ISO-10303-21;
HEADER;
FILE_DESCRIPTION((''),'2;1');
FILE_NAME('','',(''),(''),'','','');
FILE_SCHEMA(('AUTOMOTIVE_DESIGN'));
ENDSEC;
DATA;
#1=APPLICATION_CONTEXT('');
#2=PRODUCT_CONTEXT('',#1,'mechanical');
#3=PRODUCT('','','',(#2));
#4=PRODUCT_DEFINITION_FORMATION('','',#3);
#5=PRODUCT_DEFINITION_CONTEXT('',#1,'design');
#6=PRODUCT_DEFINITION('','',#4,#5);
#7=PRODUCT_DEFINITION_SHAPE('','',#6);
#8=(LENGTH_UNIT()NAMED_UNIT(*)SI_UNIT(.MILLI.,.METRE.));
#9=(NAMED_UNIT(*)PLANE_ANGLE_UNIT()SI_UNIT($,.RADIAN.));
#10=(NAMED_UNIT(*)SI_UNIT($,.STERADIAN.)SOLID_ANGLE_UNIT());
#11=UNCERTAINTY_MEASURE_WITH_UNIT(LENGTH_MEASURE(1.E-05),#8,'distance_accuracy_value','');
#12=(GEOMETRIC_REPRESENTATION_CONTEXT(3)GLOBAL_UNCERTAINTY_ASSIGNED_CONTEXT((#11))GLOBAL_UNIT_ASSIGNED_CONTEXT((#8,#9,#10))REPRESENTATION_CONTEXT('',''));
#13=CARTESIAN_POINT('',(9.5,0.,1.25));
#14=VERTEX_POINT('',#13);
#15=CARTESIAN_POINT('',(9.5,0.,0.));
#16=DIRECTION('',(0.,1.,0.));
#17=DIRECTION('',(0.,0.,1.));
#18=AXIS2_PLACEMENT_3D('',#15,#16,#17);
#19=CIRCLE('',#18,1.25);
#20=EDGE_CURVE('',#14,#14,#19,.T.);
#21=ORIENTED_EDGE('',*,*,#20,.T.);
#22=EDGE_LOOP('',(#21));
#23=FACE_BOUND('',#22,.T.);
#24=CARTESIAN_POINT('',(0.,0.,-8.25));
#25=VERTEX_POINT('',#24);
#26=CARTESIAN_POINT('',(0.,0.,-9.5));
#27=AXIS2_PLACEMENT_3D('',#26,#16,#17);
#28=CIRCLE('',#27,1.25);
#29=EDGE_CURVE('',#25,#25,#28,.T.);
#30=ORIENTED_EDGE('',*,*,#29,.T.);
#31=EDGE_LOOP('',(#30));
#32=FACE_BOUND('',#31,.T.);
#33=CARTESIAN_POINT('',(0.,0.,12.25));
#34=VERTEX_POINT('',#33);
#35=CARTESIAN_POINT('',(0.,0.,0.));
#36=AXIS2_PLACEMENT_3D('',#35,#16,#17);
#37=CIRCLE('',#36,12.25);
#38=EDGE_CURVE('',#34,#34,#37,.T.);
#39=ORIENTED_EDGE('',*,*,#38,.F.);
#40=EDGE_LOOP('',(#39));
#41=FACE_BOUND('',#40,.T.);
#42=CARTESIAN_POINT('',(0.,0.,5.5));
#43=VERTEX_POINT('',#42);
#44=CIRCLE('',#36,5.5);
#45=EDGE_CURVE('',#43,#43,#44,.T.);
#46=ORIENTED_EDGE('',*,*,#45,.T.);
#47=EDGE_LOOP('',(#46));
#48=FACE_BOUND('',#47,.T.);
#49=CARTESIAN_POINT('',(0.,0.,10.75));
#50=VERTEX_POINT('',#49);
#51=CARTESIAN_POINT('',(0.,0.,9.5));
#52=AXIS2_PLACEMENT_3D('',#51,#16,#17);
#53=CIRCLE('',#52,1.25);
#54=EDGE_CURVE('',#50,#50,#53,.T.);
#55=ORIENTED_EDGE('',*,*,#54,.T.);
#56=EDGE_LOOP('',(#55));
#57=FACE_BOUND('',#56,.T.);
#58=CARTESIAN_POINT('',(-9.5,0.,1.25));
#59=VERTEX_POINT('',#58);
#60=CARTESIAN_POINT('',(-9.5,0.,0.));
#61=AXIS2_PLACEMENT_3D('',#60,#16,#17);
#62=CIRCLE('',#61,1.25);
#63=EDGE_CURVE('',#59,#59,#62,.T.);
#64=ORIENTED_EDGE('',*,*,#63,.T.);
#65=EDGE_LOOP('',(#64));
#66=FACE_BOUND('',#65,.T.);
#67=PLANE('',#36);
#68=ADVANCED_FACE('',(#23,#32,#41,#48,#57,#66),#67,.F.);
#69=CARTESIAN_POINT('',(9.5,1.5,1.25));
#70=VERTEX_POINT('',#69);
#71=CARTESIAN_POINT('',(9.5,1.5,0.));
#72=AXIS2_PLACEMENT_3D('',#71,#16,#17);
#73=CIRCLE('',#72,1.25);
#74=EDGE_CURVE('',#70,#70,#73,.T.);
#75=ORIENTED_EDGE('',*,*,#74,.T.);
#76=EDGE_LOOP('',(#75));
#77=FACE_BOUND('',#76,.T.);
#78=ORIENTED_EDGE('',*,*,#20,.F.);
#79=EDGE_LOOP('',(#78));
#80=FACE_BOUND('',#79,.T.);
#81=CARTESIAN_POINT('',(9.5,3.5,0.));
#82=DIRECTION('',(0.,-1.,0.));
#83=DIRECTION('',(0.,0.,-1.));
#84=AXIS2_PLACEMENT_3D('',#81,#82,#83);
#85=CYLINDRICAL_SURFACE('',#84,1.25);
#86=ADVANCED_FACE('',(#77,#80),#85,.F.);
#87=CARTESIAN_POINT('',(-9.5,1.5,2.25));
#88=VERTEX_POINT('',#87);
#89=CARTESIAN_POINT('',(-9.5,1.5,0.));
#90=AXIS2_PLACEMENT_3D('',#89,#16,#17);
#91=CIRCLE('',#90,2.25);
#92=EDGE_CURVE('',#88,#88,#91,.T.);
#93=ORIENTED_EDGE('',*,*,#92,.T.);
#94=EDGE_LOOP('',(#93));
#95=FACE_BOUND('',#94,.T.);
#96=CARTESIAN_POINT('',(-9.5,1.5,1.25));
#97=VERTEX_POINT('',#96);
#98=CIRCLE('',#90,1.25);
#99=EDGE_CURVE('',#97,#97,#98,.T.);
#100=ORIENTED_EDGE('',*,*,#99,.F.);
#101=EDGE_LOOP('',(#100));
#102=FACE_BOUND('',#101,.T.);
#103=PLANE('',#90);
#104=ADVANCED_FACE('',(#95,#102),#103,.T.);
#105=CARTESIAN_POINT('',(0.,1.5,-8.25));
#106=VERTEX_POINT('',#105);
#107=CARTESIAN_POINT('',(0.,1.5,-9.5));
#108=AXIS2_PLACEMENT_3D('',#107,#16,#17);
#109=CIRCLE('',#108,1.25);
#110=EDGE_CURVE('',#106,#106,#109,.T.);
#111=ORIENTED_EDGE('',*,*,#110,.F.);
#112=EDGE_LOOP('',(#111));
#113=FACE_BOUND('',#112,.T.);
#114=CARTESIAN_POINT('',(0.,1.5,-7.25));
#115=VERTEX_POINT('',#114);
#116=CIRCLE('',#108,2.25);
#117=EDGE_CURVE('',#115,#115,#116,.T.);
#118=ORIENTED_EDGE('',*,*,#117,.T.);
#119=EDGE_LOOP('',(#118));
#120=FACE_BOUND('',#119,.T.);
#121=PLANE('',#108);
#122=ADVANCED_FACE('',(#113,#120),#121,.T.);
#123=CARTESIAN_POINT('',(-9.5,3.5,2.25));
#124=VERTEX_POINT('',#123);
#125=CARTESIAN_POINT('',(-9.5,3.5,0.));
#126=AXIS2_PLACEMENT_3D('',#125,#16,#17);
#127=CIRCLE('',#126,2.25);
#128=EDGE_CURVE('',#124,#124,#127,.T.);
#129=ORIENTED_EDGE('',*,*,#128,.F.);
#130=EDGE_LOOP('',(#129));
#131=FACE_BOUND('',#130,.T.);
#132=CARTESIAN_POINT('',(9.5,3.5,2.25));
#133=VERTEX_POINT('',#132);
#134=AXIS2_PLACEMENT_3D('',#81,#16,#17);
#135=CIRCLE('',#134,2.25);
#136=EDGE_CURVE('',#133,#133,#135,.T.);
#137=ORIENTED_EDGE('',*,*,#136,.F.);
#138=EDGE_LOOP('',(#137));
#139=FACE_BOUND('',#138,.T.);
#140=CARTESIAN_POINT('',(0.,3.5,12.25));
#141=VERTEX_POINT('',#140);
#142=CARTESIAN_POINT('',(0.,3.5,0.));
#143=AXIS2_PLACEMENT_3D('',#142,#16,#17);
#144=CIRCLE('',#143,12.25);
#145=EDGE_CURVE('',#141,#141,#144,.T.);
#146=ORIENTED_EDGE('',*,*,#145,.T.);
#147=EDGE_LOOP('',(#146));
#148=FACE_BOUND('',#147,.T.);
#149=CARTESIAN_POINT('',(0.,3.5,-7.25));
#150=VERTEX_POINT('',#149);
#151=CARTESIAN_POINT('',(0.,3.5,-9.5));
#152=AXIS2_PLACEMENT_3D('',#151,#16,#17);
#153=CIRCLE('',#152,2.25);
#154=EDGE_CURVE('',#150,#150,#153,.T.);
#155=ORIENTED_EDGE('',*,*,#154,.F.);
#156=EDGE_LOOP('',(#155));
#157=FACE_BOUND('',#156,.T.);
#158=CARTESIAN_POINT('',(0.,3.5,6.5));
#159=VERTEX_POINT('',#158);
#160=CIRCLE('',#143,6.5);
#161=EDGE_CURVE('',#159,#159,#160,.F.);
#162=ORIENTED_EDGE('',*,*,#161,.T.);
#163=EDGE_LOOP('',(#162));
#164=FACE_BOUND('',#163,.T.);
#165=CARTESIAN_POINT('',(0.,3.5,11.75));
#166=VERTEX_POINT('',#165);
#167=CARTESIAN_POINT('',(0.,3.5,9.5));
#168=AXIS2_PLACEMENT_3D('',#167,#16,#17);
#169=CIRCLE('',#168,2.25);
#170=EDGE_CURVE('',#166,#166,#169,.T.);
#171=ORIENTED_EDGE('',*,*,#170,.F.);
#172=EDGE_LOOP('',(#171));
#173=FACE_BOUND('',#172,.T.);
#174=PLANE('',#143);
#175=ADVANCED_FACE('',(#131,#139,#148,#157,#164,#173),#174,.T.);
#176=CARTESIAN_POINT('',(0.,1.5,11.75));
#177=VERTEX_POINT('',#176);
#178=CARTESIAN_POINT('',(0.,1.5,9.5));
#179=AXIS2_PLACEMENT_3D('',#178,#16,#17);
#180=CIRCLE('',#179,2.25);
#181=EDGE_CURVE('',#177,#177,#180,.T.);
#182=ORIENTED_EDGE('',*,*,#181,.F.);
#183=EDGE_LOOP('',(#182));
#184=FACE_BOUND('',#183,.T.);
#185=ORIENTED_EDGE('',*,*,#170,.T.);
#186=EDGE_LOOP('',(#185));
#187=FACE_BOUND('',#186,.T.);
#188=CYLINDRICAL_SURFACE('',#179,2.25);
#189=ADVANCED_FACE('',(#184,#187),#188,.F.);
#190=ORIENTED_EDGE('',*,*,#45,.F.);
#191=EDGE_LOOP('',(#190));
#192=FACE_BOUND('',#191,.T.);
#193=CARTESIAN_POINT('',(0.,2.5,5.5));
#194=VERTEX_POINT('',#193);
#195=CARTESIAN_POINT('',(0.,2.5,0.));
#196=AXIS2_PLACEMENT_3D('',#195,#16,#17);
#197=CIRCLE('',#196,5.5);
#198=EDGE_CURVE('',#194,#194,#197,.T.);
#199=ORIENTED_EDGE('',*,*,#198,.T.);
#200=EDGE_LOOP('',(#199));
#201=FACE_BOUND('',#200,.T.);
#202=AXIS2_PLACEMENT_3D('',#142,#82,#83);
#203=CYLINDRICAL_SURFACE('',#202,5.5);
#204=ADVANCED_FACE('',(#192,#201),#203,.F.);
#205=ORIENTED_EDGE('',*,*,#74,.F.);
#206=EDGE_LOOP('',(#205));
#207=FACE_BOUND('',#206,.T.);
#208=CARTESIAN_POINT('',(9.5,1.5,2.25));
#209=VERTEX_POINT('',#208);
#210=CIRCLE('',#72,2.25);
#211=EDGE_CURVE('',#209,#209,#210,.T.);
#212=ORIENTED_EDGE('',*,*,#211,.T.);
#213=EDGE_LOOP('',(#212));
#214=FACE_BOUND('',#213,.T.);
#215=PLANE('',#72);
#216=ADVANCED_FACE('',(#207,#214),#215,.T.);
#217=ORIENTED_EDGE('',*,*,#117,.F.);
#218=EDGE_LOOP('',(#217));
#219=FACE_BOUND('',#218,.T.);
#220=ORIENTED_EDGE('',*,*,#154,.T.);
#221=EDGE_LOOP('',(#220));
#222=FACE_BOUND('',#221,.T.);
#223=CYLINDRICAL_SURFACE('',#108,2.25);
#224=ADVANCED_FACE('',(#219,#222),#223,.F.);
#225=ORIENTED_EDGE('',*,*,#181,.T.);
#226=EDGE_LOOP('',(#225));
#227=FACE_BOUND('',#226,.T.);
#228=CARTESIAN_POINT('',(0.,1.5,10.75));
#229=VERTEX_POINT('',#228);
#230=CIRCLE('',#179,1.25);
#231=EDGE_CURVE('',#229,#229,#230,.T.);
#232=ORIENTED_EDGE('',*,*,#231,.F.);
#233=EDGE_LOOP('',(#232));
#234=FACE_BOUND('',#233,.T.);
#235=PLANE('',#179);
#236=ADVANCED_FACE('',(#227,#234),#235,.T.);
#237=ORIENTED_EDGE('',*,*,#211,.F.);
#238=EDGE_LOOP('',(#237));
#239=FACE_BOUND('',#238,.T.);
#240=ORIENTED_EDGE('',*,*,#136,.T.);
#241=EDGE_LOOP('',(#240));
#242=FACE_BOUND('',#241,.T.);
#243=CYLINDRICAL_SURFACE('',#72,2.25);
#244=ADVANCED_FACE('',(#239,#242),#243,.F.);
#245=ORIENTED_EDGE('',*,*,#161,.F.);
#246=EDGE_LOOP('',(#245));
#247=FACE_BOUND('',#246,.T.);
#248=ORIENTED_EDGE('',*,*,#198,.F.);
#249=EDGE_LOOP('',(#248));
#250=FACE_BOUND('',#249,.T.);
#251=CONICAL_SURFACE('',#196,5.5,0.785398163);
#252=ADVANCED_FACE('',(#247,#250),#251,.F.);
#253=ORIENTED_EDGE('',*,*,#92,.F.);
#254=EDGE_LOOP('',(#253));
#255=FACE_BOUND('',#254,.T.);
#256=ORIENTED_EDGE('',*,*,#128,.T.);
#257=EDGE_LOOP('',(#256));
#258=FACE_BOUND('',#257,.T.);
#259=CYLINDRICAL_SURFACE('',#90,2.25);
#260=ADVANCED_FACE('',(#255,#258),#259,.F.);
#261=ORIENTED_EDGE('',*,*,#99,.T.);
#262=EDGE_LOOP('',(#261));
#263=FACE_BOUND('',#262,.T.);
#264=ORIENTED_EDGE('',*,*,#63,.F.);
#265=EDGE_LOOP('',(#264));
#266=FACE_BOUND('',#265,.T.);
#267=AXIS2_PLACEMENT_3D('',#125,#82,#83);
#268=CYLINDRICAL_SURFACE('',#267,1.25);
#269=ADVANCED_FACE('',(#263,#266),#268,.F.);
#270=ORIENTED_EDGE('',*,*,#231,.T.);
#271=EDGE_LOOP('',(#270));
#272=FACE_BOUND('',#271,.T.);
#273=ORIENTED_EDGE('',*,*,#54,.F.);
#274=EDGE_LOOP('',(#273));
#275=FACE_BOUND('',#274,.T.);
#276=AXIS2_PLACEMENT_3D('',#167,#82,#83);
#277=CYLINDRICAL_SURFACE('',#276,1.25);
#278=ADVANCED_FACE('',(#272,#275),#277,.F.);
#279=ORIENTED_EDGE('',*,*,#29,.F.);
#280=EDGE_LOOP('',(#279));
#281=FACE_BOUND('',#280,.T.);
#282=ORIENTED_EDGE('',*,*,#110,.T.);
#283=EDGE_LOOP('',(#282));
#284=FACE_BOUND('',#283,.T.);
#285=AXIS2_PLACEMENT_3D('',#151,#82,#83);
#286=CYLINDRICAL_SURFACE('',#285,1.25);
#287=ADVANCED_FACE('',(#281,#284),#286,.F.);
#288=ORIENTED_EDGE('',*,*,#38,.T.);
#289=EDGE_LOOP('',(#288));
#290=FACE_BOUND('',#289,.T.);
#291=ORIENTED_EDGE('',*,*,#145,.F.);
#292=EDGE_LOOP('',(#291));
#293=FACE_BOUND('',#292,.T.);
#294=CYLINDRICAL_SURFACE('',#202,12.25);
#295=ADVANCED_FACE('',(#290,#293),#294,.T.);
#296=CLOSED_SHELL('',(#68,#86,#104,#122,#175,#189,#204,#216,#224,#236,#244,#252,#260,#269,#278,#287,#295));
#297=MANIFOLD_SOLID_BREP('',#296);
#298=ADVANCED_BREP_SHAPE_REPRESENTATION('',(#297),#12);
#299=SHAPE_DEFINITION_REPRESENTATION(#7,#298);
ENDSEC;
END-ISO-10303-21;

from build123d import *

# Parameters (mm, degrees)
SKETCH_1_R          = 12.25
SKETCH_1_R_2        = 5.5
SKETCH_1_R_3        = 1.25
EXTRUDE_1_DEPTH     = 3.5
SKETCH_2_R          = 2.25
CUT_EXTRUDE_1_DEPTH = 2
CHAMFER_1_SIZE      = 1


with BuildPart() as part:
    # Эскиз1 → Бобышка-Вытянуть1 (new body)
    with BuildSketch(Plane(origin=(0, 0, 0), x_dir=(1, 0, 0), z_dir=(0, 1, 0))):
        with Locations(Location((0, 0, 0), (0, 0, 270))):
            Circle(SKETCH_1_R)
        with Locations(Location((0, 0, 0), (0, 0, 270))):
            Circle(SKETCH_1_R_2, mode=Mode.SUBTRACT)
        with Locations(Location((0, 9.5, 0), (0, 0, 270))):
            Circle(SKETCH_1_R_3, mode=Mode.SUBTRACT)
        with Locations(Location((9.5, 0, 0), (0, 0, 270))):
            Circle(SKETCH_1_R_3, mode=Mode.SUBTRACT)
        with Locations(Location((0, -9.5, 0), (0, 0, 270))):
            Circle(SKETCH_1_R_3, mode=Mode.SUBTRACT)
        with Locations(Location((-9.5, 0, 0), (0, 0, 270))):
            Circle(SKETCH_1_R_3, mode=Mode.SUBTRACT)
    extrude(amount=EXTRUDE_1_DEPTH)

    # Эскиз2 → Вырез-Вытянуть1 (cut)
    with BuildSketch(Plane(origin=(0, 3.5, 0), x_dir=(1, 0, 0), z_dir=(0, 1, 0))):
        with Locations(Location((0, 9.5, 0), (0, 0, 270))):
            Circle(SKETCH_2_R)
        with Locations(Location((9.5, 0, 0), (0, 0, 270))):
            Circle(SKETCH_2_R)
        with Locations(Location((0, -9.5, 0), (0, 0, 270))):
            Circle(SKETCH_2_R)
        with Locations(Location((-9.5, 0, 0), (0, 0, 270))):
            Circle(SKETCH_2_R)
    extrude(amount=-CUT_EXTRUDE_1_DEPTH, mode=Mode.SUBTRACT)

    # Фаска1
    chamfer_1_edges = [part.edges().sort_by_distance(p)[0] for p in [
        (0, 3.5, -5.5),
    ]]
    chamfer(chamfer_1_edges, length=CHAMFER_1_SIZE)


solid = part.part
